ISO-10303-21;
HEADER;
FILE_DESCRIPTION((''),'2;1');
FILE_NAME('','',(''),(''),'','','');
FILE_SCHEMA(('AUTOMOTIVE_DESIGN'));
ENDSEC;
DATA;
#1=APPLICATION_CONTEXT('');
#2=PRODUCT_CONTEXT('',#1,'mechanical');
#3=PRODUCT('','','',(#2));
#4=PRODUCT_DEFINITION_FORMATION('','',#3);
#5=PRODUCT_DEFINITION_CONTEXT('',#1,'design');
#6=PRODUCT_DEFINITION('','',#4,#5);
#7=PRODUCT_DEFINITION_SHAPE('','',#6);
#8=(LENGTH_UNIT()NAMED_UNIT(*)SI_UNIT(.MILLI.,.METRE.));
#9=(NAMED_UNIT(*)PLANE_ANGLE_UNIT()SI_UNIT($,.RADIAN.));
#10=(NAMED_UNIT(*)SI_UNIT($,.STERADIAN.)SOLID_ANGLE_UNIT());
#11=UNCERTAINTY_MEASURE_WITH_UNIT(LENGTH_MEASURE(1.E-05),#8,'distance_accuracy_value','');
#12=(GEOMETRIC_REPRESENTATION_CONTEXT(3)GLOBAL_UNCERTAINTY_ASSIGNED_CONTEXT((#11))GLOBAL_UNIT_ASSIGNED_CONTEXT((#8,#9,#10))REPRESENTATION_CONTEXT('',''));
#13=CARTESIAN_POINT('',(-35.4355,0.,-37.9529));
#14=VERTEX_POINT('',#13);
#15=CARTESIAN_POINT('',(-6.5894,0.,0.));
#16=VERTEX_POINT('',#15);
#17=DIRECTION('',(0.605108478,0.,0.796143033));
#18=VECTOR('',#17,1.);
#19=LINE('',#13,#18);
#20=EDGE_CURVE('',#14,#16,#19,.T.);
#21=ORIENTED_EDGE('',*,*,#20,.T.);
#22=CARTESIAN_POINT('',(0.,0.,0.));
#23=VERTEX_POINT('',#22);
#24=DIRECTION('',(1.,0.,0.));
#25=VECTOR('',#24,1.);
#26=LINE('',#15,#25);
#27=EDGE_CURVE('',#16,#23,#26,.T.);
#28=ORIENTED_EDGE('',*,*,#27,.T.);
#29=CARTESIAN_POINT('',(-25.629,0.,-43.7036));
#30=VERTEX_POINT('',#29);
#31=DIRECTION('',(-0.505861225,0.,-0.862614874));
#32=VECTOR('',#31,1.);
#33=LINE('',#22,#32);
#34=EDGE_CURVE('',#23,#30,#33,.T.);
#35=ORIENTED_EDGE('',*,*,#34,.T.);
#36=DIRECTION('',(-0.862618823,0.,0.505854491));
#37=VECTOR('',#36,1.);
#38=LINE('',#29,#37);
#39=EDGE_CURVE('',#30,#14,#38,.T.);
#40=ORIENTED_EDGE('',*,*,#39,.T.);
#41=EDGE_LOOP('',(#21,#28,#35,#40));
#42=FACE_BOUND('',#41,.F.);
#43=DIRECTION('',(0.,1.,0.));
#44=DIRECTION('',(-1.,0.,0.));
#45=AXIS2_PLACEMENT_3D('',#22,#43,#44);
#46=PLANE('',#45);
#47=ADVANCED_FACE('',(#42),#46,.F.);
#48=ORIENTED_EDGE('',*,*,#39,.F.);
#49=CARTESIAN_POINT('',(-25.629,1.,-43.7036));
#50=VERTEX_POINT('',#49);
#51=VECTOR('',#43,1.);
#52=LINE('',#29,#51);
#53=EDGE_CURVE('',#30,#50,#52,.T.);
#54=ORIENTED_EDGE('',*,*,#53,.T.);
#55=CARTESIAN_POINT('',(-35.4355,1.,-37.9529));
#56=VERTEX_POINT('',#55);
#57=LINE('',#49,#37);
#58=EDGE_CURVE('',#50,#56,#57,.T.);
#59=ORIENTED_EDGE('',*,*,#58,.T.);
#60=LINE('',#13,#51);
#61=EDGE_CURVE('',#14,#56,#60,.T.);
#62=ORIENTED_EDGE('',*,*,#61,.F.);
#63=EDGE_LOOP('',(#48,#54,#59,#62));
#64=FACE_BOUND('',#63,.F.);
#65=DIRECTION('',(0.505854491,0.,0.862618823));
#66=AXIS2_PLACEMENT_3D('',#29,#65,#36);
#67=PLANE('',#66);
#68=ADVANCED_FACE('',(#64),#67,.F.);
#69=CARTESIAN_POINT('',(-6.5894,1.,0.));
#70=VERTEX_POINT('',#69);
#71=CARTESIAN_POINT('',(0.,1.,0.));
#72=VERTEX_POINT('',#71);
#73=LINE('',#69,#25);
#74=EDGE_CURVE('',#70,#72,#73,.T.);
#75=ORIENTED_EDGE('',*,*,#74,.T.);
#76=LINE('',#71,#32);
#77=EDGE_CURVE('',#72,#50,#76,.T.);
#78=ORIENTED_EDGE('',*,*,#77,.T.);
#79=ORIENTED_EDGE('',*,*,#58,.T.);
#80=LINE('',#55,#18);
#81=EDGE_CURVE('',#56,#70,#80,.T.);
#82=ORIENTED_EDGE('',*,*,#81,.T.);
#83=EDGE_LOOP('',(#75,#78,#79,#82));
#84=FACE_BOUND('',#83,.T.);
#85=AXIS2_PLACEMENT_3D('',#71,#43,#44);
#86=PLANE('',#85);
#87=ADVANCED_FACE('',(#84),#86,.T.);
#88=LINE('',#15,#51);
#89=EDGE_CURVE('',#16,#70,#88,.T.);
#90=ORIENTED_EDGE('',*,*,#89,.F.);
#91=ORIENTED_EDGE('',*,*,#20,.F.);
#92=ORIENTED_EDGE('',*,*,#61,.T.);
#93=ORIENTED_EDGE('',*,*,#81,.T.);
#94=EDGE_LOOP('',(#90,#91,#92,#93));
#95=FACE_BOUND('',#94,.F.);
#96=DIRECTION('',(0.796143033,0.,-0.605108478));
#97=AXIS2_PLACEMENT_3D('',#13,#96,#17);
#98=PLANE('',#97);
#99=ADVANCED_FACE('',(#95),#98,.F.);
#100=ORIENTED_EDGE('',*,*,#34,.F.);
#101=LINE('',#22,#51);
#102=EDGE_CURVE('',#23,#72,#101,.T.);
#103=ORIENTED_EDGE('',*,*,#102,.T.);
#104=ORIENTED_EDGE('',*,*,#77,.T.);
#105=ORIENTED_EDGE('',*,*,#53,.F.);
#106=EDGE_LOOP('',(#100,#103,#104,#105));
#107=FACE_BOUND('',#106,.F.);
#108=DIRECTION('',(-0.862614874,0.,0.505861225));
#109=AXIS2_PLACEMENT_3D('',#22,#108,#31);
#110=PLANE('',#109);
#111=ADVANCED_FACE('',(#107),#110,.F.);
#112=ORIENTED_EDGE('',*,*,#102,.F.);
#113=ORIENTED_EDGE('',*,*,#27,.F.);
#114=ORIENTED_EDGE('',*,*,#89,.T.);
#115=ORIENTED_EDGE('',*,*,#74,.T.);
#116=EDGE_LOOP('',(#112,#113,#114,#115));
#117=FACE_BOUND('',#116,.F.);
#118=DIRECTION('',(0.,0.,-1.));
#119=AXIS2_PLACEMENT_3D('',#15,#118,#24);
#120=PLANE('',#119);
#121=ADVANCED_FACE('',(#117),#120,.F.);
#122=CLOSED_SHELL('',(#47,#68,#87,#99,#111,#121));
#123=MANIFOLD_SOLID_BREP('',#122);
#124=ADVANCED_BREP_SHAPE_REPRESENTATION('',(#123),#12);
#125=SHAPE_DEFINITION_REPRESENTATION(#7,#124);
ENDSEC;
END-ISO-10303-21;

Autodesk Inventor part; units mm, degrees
ref_plane "YZ Plane" through (0, 0, 0) normal (1, 0, 0) x (0, 1, 0)
ref_plane "XZ Plane" through (0, 0, 0) normal (0, 1, 0) x (-1, 0, 0)
ref_plane "XY Plane" through (0, 0, 0) normal (0, 0, 1) x (1, 0, 0)
sketch "Sketch1" plane through (0, 0, 0) normal (0, 1, 0) x (-1, 0, 0)
  line L0 (0, 0) -> (25.629, -43.7036)
  line L1 (25.629, -43.7036) -> (35.4355, -37.9529)
  line L2 (35.4355, -37.9529) -> (6.5894, 0)
  line L3 (6.5894, 0) -> (0, 0)
extrude "Extrusion1" add sketch "Sketch1" along normal blind 1
properties part number "Blade"
